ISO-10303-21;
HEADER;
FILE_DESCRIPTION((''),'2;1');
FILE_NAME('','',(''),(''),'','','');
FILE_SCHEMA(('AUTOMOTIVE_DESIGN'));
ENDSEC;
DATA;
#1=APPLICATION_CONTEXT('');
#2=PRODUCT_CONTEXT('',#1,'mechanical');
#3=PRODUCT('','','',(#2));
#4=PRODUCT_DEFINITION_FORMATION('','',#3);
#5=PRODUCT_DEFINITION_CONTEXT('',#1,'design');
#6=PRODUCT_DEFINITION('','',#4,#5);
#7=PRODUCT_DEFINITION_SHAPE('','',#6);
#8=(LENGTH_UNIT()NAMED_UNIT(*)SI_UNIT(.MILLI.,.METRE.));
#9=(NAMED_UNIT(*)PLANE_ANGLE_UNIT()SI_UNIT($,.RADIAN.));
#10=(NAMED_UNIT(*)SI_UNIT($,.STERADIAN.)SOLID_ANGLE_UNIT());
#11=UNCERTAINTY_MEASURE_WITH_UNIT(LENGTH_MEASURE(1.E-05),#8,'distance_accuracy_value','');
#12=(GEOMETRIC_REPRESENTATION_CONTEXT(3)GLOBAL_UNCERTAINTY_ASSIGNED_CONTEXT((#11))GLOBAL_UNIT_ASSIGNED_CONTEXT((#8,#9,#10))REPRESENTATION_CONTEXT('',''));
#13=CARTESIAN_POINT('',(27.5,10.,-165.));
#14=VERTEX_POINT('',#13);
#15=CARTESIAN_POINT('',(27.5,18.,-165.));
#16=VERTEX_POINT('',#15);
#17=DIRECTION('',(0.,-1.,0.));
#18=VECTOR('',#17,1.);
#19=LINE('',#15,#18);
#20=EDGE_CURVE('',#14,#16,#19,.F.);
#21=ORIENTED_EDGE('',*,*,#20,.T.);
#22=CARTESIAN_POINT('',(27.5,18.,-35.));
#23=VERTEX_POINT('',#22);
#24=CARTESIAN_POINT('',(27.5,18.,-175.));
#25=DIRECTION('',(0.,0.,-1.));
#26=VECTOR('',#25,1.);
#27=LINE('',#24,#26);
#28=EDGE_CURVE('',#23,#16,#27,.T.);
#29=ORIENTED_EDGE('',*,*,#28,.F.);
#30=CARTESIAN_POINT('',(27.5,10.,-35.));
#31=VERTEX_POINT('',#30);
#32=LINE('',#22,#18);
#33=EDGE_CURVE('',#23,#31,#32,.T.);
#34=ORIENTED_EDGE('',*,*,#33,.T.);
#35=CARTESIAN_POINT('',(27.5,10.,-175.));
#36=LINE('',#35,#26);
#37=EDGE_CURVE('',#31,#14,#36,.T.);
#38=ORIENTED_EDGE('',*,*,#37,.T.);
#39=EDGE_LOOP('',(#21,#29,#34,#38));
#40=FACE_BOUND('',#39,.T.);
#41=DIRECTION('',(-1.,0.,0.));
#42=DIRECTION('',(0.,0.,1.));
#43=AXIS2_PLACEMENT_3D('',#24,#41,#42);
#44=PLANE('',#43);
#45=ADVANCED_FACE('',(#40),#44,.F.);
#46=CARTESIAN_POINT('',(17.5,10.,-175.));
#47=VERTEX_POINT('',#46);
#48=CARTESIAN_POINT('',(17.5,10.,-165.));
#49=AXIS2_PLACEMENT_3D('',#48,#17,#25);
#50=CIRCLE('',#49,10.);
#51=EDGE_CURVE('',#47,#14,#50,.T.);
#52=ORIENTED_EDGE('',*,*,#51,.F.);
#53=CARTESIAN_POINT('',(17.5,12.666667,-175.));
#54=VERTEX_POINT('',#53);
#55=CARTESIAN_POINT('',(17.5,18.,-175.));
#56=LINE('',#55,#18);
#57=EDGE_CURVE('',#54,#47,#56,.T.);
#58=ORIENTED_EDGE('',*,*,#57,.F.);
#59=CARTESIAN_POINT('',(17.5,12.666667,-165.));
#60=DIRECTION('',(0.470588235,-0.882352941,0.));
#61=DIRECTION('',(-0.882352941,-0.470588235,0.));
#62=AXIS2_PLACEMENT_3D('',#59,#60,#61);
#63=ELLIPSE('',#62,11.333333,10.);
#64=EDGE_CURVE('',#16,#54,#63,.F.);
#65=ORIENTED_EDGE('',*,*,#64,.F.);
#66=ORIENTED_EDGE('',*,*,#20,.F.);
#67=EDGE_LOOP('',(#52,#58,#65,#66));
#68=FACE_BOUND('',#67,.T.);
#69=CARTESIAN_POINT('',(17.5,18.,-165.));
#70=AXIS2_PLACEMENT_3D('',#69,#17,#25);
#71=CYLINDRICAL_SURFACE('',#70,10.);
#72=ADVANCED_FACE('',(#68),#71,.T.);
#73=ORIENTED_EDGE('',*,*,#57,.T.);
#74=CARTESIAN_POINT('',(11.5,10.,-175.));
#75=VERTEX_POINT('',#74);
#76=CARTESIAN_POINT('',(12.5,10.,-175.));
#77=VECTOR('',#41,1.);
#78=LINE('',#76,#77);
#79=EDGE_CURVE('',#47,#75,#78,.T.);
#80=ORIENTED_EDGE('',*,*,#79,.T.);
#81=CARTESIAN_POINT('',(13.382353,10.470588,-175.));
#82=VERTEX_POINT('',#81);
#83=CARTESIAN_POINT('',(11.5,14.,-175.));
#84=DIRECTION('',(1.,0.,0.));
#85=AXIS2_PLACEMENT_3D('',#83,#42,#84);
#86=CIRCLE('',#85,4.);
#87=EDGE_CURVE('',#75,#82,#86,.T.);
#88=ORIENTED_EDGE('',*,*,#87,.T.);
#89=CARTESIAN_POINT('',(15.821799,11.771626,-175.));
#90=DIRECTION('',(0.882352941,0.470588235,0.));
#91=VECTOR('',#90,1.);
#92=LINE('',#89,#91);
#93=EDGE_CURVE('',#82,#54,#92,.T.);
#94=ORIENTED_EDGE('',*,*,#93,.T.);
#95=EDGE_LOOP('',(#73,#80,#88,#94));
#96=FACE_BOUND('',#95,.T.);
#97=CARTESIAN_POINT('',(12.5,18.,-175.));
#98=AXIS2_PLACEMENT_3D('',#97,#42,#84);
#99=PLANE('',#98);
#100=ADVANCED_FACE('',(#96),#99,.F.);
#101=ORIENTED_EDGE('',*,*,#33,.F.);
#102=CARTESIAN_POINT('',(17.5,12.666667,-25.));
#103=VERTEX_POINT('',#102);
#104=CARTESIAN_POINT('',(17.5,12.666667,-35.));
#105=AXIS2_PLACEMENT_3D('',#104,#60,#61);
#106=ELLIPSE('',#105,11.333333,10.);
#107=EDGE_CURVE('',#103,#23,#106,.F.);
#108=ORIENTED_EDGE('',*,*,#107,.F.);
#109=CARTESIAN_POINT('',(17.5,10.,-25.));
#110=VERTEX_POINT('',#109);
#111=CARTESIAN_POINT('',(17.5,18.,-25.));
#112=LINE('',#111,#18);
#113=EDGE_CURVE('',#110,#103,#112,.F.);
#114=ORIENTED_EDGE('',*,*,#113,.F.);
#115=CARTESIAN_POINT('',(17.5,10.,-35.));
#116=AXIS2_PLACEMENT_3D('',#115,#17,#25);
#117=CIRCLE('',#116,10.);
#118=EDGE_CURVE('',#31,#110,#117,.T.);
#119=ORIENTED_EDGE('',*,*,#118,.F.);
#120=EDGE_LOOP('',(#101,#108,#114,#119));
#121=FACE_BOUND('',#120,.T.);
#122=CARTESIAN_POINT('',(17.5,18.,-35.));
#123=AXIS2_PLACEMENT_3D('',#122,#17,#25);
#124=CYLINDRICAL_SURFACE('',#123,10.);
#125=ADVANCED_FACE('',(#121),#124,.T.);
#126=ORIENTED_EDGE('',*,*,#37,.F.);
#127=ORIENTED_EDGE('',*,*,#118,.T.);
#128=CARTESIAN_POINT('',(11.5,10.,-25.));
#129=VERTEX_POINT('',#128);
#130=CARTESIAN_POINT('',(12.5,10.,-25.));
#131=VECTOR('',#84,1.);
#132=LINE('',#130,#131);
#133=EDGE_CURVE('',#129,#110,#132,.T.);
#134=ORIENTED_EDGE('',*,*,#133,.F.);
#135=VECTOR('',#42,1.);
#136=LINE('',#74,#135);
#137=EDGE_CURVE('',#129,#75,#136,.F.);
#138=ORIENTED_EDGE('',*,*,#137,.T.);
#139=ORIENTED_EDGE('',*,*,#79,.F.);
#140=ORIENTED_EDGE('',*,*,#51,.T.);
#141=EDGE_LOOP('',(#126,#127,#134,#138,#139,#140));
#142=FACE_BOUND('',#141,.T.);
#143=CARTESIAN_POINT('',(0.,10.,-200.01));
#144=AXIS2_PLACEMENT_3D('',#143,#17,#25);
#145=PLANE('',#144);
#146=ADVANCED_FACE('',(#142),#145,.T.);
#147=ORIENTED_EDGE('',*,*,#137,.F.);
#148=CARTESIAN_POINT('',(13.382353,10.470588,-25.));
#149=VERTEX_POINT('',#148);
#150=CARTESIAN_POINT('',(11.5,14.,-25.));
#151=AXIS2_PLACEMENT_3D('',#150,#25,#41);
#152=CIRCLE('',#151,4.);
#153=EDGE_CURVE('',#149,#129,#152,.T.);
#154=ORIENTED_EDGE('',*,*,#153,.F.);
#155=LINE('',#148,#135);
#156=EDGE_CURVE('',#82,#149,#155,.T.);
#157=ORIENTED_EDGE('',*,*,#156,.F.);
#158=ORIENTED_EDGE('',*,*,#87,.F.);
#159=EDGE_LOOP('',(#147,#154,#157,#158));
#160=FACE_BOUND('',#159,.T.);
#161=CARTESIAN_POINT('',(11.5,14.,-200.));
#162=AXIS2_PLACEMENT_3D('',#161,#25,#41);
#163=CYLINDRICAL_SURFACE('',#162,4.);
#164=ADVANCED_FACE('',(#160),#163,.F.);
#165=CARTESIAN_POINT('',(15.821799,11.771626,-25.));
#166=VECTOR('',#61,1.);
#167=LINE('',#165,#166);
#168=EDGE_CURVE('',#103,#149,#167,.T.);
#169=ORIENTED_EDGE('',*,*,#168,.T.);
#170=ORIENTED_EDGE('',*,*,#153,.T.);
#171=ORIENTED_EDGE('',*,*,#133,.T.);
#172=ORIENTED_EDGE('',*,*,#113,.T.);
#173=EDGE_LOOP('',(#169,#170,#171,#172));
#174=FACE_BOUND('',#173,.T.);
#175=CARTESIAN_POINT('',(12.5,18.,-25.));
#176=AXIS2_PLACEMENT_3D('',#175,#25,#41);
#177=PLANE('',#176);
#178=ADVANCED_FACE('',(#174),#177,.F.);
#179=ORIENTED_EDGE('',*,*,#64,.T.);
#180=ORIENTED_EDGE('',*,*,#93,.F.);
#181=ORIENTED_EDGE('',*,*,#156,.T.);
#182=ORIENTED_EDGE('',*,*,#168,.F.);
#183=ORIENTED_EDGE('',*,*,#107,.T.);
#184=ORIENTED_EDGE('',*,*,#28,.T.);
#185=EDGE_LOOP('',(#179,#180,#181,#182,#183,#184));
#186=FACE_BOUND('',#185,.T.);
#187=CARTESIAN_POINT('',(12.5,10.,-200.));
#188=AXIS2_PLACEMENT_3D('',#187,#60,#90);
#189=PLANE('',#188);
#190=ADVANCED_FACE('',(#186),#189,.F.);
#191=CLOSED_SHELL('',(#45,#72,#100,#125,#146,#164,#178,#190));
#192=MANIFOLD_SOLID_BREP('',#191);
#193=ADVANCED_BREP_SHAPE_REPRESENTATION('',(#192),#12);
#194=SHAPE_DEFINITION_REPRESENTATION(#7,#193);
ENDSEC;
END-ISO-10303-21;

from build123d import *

# Parameters (mm, degrees)
SKETCH1_W              = 40
SKETCH1_H              = 200
BOSS_EXTRUDE1_DEPTH    = 10
SKETCH2_W              = 15
SKETCH2_H              = 150
BOSS_EXTRUDE2_DEPTH    = 8
FILLET1_R              = 10
CUT_EXTRUDE1_DEPTH     = 205.753510348
FILLET2_R              = 4
SPLIT1_SURFACE_1_BACK  = 205.754
SPLIT1_SURFACE_1_DEPTH = 411.508


with BuildPart() as part:
    # Sketch1 → Boss-Extrude1 (new body)
    with BuildSketch(Plane(origin=(0, 0, 0), x_dir=(1, 0, 0), z_dir=(0, 1, 0))):
        with Locations((20, 100)):
            Rectangle(SKETCH1_W, SKETCH1_H)
    extrude(amount=BOSS_EXTRUDE1_DEPTH)

    # Sketch2 → Boss-Extrude2 (add)
    with BuildSketch(Plane(origin=(0, 10, 0), x_dir=(1, 0, 0), z_dir=(0, 1, 0))):
        with Locations((20, 100)):
            Rectangle(SKETCH2_W, SKETCH2_H)
    extrude(amount=BOSS_EXTRUDE2_DEPTH)

    # Fillet1
    fillet1_edges = [part.edges().sort_by_distance(p)[0] for p in [
        (27.5, 14, -25),
        (27.5, 14, -175),
    ]]
    fillet(fillet1_edges, radius=FILLET1_R)

    # Sketch3 → Cut-Extrude1 (cut, through all)
    with BuildSketch(Plane.XY):
        Polygon((27.5, 18), (12.5, 18), (12.5, 10), align=None)
    extrude(amount=-CUT_EXTRUDE1_DEPTH, mode=Mode.SUBTRACT)

    # Fillet2
    fillet2_edges = [part.edges().sort_by_distance(p)[0] for p in [
        (12.5, 10, -100),
    ]]
    fillet(fillet2_edges, radius=FILLET2_R)

    # Split1: cut with a surface, the side it looks to stays
    # Split1 surface: a surface, the sketch's curves swept straight by 411.508 mm
    with BuildLine(Plane.XY.offset(-SPLIT1_SURFACE_1_BACK), mode=Mode.PRIVATE) as split1_surface_1_path:
        Line((0, 10), (40, 10))
    split1_surface_1 = Shell.extrude(split1_surface_1_path.wire(), (0 * SPLIT1_SURFACE_1_DEPTH, 0 * SPLIT1_SURFACE_1_DEPTH, 1 * SPLIT1_SURFACE_1_DEPTH))
    split(bisect_by=split1_surface_1, keep=Keep.TOP)


solid = part.part
